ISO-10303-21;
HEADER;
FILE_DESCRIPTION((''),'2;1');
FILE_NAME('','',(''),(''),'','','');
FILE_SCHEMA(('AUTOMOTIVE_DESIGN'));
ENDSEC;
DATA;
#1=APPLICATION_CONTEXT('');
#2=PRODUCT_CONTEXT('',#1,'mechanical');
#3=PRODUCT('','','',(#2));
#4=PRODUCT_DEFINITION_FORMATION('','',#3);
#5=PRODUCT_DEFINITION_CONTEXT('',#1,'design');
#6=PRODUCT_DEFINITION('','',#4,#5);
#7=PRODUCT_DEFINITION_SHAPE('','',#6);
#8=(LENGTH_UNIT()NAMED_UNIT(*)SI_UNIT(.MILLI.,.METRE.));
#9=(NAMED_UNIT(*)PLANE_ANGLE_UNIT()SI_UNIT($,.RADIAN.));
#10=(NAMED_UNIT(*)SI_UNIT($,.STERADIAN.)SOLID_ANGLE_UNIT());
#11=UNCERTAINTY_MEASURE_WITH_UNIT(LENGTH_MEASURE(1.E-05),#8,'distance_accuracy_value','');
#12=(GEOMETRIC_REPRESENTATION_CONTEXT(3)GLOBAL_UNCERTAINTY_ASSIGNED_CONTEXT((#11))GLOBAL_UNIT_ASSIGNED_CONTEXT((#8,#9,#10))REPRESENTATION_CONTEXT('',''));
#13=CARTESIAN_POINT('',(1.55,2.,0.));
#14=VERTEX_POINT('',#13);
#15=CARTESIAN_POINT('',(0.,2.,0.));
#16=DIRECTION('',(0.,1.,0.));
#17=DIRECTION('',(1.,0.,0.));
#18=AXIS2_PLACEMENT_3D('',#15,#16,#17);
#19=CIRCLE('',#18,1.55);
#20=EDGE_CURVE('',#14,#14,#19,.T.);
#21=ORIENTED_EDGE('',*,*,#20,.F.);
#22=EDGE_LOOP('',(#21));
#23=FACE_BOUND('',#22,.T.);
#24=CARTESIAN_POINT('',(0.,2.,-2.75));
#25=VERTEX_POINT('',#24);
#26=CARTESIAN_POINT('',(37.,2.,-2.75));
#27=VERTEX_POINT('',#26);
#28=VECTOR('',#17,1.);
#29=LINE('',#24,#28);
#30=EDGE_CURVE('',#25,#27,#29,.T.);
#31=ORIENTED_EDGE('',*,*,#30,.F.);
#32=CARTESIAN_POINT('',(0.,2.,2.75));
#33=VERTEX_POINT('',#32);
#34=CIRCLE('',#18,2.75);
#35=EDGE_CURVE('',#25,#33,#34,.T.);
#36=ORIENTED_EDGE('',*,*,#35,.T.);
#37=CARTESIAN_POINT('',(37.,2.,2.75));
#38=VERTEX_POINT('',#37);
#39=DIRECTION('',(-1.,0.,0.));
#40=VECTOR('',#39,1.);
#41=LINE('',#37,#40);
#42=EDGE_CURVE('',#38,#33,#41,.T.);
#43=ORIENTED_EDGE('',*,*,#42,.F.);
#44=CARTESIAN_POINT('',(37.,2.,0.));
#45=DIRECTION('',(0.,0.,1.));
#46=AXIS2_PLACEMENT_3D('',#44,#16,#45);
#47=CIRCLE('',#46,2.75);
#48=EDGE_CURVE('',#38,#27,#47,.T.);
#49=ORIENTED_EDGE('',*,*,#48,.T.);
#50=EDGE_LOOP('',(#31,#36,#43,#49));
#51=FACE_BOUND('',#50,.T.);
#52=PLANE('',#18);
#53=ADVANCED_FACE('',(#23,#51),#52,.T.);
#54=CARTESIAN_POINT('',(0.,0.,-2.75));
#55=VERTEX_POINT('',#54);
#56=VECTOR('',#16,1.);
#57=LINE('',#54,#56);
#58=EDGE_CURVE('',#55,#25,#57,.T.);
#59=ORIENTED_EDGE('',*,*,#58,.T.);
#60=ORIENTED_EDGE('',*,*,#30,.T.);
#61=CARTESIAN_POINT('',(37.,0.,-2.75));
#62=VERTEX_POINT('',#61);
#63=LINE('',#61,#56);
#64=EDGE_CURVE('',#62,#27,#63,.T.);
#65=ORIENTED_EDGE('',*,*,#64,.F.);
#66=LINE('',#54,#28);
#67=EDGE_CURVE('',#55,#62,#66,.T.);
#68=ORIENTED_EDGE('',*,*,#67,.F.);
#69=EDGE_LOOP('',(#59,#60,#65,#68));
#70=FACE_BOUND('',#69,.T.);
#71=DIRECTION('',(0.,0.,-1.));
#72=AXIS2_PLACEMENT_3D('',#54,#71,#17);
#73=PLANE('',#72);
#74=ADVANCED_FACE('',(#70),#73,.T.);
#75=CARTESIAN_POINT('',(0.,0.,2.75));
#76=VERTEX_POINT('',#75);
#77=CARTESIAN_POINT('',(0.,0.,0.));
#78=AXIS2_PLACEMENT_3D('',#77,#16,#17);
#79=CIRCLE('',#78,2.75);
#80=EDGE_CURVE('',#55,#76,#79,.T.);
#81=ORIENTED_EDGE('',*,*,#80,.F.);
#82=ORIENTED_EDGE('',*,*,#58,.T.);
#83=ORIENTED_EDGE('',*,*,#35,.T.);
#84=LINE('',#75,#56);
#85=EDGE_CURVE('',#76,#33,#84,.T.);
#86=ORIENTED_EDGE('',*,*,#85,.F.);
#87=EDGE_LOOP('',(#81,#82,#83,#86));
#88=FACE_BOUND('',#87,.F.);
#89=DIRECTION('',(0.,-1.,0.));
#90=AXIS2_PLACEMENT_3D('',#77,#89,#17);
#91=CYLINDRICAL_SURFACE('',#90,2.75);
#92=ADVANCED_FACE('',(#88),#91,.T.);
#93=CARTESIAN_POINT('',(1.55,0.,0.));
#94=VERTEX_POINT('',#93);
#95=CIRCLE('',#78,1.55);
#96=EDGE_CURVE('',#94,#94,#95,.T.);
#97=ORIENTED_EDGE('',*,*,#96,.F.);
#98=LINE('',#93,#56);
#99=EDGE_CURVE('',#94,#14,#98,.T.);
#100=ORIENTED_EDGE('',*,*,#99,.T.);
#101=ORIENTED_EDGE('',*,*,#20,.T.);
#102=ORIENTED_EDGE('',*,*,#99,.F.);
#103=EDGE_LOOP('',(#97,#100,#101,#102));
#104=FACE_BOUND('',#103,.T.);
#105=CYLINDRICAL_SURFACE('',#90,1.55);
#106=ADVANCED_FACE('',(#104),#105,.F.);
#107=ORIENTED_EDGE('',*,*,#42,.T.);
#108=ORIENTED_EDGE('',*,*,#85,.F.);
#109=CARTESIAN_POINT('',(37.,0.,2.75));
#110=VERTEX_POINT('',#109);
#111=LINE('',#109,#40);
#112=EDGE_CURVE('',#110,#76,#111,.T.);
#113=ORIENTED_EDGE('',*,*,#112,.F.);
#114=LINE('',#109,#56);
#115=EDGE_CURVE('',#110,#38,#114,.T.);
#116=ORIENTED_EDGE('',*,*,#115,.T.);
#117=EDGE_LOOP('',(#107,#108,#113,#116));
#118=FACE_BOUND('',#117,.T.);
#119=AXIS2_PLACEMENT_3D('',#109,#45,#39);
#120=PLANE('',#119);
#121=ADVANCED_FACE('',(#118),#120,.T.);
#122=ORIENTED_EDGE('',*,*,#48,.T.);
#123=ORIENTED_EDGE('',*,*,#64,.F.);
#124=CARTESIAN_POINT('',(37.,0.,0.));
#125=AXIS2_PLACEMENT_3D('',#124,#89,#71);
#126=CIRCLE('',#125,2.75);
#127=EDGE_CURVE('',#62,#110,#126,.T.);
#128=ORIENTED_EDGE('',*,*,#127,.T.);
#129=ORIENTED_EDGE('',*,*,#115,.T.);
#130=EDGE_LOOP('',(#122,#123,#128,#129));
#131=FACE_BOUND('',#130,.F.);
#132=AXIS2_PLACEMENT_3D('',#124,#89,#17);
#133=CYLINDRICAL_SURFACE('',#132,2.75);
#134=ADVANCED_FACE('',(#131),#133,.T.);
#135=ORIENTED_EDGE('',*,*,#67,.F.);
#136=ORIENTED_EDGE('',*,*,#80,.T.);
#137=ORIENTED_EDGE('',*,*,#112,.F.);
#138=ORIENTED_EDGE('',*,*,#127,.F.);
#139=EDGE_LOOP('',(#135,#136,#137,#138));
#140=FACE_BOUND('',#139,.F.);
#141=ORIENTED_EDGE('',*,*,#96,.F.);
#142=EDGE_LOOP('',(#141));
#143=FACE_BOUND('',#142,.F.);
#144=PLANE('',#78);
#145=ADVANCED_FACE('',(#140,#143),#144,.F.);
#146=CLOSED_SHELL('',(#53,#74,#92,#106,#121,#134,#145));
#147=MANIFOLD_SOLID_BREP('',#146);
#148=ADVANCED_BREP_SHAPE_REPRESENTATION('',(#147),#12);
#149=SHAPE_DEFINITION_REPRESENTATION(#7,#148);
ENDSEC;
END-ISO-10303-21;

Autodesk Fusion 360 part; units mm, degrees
sketch "Sketch1" plane through (0, 0, 0) normal (0, 1, 0) x (1, 0, 0)
  circle A0 centre (0, 0) radius 1.55
  circle A1 centre (0, 0) radius 2.75
  line L0 (0, 2.75) -> (37, 2.75)
  line L1 (29.0028, 0) -> (29.0028, 0)
  line L2 (37, -2.75) -> (0, -2.75)
  arc A2 (39.75, 0) -> (37, 2.75) centre (37, 0) ccw
  arc A3 (37, -2.75) -> (39.75, 0) centre (37, 0) ccw
  dimension "d1" = 3.1
  dimension "d3" = 5.5
  dimension "d4" = 2.75
  dimension "d6" = 37
extrude "Extrude1" add sketch "Sketch1" along normal blind 2
equation "d6 = 40 mm - d4 - 0.25 mm"
